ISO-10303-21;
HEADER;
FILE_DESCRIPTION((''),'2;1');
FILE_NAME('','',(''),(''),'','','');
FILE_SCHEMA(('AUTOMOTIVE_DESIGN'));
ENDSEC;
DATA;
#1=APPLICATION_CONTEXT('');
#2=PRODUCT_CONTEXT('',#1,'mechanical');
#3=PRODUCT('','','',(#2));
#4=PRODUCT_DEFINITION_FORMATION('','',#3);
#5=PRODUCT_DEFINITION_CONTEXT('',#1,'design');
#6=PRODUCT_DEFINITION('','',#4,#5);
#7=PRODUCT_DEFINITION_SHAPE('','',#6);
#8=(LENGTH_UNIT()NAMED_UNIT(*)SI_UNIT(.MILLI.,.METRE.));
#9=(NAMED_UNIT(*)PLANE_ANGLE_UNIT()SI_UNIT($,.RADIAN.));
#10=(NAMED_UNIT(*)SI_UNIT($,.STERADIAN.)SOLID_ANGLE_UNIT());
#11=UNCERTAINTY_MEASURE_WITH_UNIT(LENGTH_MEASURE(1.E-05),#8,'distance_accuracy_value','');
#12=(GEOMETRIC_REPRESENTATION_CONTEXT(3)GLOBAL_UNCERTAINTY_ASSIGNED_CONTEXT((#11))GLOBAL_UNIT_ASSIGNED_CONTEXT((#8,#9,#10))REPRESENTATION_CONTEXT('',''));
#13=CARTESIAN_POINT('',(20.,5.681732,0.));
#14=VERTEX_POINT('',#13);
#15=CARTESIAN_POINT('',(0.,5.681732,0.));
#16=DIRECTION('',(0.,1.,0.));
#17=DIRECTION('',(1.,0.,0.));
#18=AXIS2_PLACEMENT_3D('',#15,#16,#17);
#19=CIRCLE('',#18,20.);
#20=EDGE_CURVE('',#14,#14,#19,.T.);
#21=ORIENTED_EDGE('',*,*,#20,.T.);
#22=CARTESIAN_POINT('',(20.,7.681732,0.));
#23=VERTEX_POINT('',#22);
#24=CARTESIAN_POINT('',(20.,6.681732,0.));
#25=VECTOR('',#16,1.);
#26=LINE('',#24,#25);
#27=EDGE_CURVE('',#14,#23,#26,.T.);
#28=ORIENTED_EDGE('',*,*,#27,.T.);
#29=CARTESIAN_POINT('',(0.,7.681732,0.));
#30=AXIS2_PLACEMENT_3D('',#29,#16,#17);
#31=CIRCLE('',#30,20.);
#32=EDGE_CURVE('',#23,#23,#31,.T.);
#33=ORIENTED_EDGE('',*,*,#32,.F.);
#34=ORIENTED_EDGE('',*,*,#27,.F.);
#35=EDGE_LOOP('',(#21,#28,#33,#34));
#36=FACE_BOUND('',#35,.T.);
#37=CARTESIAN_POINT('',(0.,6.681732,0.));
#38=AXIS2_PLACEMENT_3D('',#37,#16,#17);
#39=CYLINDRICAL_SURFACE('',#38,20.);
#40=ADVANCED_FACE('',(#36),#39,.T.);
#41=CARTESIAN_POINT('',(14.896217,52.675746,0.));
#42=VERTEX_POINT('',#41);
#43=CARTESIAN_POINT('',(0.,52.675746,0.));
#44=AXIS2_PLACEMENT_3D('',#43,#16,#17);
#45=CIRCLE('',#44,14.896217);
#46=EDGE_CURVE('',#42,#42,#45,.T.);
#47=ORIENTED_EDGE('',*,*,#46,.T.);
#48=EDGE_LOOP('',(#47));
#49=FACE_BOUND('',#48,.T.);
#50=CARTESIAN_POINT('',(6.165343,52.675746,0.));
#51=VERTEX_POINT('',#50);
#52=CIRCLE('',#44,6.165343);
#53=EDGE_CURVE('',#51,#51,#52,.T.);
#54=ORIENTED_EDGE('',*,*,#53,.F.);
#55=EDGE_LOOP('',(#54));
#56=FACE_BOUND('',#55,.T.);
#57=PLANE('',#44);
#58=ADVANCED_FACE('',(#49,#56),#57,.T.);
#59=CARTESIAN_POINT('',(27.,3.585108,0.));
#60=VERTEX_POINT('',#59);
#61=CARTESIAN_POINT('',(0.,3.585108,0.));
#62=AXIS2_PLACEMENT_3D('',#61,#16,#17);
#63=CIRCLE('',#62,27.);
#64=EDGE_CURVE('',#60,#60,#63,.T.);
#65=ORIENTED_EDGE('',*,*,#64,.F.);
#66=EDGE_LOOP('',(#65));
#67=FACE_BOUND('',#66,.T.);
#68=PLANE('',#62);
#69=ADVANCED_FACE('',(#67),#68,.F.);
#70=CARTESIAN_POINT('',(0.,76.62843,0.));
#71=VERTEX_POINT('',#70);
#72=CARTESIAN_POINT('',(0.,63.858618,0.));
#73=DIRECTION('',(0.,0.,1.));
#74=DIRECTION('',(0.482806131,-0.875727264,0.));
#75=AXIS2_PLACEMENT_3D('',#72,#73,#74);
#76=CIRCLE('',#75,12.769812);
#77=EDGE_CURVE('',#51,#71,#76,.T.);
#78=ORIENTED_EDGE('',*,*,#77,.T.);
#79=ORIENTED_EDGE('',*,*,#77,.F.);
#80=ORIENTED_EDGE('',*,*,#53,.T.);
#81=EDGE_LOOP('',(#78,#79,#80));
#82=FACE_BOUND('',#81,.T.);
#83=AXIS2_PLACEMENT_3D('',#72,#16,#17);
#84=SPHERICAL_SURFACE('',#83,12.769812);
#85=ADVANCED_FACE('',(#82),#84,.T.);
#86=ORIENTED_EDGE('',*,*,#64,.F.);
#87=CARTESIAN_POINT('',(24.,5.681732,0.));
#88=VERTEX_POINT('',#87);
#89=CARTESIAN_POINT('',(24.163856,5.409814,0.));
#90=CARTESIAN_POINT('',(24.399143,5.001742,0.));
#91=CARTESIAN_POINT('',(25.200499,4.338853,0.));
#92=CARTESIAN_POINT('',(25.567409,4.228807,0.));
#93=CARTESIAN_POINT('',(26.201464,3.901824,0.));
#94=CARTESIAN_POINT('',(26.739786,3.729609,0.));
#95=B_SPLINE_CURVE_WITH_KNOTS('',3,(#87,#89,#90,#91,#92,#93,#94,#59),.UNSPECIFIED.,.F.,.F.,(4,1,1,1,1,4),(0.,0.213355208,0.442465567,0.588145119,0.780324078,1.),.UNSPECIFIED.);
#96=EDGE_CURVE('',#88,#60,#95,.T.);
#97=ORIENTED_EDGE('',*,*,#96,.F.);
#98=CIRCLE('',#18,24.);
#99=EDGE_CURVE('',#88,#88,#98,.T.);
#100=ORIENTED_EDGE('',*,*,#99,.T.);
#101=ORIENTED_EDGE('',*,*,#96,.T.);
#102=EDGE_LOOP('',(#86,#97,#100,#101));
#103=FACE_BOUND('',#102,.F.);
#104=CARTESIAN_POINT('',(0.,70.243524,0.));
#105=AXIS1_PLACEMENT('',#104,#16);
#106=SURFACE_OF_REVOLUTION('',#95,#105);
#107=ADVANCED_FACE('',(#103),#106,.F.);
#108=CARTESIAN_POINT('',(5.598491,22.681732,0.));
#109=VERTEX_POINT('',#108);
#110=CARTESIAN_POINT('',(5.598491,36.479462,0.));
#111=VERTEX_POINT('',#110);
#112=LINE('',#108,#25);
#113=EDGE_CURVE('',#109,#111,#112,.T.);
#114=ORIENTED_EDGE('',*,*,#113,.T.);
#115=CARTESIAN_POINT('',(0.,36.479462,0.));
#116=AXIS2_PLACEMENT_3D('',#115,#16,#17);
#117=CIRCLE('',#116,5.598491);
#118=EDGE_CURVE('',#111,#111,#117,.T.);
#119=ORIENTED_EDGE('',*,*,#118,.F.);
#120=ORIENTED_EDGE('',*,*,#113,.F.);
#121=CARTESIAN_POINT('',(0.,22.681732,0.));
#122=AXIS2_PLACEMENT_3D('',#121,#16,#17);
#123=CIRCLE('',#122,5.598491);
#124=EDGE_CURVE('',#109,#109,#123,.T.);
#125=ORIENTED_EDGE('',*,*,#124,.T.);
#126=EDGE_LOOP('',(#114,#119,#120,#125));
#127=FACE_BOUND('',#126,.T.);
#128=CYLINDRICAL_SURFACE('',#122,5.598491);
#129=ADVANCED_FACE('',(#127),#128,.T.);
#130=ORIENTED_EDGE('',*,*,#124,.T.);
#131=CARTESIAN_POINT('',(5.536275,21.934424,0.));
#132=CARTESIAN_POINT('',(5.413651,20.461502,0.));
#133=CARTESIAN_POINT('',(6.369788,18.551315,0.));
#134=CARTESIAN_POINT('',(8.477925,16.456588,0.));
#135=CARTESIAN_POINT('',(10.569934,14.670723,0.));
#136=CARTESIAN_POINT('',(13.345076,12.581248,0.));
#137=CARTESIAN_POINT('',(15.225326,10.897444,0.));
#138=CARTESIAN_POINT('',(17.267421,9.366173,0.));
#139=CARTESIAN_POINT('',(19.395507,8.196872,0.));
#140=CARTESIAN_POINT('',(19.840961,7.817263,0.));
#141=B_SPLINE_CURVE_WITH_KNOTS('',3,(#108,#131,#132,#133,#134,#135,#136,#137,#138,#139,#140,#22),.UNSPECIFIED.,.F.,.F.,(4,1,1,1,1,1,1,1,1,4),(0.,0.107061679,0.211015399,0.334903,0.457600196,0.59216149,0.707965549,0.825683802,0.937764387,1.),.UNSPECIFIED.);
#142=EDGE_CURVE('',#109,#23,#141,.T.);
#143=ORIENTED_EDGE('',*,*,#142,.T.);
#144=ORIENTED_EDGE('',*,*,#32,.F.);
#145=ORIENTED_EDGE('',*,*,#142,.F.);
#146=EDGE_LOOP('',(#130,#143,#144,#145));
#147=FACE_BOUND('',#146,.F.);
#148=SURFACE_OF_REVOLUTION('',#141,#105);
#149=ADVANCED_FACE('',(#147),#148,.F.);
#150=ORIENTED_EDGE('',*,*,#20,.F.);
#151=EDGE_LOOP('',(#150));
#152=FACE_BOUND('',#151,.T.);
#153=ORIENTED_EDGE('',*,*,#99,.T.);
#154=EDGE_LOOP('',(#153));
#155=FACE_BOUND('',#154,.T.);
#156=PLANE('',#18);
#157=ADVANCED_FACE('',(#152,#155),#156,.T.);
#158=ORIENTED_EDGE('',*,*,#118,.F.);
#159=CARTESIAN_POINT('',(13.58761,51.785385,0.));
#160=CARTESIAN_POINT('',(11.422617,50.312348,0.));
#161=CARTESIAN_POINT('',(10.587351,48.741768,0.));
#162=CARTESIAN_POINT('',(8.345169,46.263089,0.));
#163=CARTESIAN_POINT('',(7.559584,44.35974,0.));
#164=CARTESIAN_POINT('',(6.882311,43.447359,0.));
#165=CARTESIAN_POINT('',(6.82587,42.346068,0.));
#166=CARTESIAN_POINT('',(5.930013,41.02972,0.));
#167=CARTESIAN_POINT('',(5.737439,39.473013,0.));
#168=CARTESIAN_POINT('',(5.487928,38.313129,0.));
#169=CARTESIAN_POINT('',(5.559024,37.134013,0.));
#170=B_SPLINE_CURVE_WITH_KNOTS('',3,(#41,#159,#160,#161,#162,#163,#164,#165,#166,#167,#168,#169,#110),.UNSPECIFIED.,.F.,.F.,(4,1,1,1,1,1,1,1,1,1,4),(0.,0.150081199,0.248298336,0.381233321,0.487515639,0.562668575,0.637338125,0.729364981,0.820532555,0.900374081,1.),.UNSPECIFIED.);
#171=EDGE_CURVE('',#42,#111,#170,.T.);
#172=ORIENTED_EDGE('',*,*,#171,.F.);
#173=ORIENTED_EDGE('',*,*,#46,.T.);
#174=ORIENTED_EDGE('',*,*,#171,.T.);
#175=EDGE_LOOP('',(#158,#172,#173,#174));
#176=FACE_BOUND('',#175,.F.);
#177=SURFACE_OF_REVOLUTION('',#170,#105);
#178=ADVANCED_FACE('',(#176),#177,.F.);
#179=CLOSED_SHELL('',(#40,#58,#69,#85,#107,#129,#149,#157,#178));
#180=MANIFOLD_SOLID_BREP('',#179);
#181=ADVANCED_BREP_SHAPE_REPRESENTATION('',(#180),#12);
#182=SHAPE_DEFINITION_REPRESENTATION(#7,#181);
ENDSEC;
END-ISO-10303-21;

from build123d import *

# Parameters (mm, degrees)
F0_W = 20
F0_H = 2


with BuildPart() as f1:
    # F0 (on Top) → F1 (revolve)
    with BuildSketch(Plane.XY):
        with BuildLine():
            Line((14.8962167758, 52.6757461224), (6.1653433317, 52.6757461224))
            ThreePointArc((6.1653433317, 52.6757461224), (12.366714586, 67.041770631), (0, 76.6284299013))
            Line((0, 76.6284299013), (0, 63.8586182957))
            Line((0, 63.8586182957), (0, 52.6757461224))
            Line((0, 52.6757461224), (0, 36.4794617582))
            Line((0, 36.4794617582), (0, 22.6817322038))
            Line((0, 22.6817322038), (0, 7.6817322038))
            Line((0, 7.6817322038), (20, 7.6817322038))
            add(Edge.make_bspline(
                [(5.598490632, 22.6817322038), (5.536275452, 21.9344240339), (5.4136511742, 20.4615017566), (6.36978848, 18.5513152258), (8.4779249719, 16.4565879055), (10.5699340449, 14.6707226111), (13.3450760972, 12.5812477655), (15.2253255202, 10.8974439536), (17.2674205792, 9.3661727976), (19.3955072623, 8.1968717576), (19.8409609476, 7.817262875), (20, 7.6817322038)],
                knots=[0, 0, 0, 0, 0.1070616786, 0.2110153988, 0.3349029996, 0.457600196, 0.5921614902, 0.7079655491, 0.8256838018, 0.9377643874, 1, 1, 1, 1], degree=3))
            Line((5.598490632, 22.6817322038), (5.598490632, 36.4794617582))
            add(Edge.make_bspline(
                [(14.8962167758, 52.6757461224), (13.5876102088, 51.7853849624), (11.4226166248, 50.3123477276), (10.5873511557, 48.7417679615), (8.3451687157, 46.2630892098), (7.5595844624, 44.3597399543), (6.8823110239, 43.4473585795), (6.8258703962, 42.3460680505), (5.9300128481, 41.0297200022), (5.7374392265, 39.4730130238), (5.4879283734, 38.3131289524), (5.5590240303, 37.1340125399), (5.598490632, 36.4794617582)],
                knots=[0, 0, 0, 0, 0.1500811989, 0.2482983357, 0.381233321, 0.487515639, 0.5626685747, 0.6373381245, 0.7293649813, 0.8205325546, 0.9003740806, 1, 1, 1, 1], degree=3))
        make_face()
        with Locations((10, 6.6817322038)):
            Rectangle(F0_W, F0_H)
        with BuildLine():
            Line((24, 5.6817322038), (20, 5.6817322038))
            Line((20, 5.6817322038), (0, 5.6817322038))
            Line((0, 5.6817322038), (0, 3.5851075173))
            Line((0, 3.5851075173), (27, 3.5851075173))
            add(Edge.make_bspline(
                [(24, 5.6817322038), (24.163856326, 5.4098139941), (24.3991431002, 5.0017421335), (25.2004991382, 4.3388526961), (25.5674094847, 4.2288069513), (26.2014635644, 3.9018237178), (26.7397855643, 3.7296087243), (27, 3.5851075173)],
                knots=[0, 0, 0, 0, 0.2133552079, 0.4424655668, 0.5881451192, 0.7803240784, 1, 1, 1, 1], degree=3))
        make_face()
    revolve(axis=Axis((0, 70.2435240985, 0), (0, 1, 0)))


solid = f1.part
